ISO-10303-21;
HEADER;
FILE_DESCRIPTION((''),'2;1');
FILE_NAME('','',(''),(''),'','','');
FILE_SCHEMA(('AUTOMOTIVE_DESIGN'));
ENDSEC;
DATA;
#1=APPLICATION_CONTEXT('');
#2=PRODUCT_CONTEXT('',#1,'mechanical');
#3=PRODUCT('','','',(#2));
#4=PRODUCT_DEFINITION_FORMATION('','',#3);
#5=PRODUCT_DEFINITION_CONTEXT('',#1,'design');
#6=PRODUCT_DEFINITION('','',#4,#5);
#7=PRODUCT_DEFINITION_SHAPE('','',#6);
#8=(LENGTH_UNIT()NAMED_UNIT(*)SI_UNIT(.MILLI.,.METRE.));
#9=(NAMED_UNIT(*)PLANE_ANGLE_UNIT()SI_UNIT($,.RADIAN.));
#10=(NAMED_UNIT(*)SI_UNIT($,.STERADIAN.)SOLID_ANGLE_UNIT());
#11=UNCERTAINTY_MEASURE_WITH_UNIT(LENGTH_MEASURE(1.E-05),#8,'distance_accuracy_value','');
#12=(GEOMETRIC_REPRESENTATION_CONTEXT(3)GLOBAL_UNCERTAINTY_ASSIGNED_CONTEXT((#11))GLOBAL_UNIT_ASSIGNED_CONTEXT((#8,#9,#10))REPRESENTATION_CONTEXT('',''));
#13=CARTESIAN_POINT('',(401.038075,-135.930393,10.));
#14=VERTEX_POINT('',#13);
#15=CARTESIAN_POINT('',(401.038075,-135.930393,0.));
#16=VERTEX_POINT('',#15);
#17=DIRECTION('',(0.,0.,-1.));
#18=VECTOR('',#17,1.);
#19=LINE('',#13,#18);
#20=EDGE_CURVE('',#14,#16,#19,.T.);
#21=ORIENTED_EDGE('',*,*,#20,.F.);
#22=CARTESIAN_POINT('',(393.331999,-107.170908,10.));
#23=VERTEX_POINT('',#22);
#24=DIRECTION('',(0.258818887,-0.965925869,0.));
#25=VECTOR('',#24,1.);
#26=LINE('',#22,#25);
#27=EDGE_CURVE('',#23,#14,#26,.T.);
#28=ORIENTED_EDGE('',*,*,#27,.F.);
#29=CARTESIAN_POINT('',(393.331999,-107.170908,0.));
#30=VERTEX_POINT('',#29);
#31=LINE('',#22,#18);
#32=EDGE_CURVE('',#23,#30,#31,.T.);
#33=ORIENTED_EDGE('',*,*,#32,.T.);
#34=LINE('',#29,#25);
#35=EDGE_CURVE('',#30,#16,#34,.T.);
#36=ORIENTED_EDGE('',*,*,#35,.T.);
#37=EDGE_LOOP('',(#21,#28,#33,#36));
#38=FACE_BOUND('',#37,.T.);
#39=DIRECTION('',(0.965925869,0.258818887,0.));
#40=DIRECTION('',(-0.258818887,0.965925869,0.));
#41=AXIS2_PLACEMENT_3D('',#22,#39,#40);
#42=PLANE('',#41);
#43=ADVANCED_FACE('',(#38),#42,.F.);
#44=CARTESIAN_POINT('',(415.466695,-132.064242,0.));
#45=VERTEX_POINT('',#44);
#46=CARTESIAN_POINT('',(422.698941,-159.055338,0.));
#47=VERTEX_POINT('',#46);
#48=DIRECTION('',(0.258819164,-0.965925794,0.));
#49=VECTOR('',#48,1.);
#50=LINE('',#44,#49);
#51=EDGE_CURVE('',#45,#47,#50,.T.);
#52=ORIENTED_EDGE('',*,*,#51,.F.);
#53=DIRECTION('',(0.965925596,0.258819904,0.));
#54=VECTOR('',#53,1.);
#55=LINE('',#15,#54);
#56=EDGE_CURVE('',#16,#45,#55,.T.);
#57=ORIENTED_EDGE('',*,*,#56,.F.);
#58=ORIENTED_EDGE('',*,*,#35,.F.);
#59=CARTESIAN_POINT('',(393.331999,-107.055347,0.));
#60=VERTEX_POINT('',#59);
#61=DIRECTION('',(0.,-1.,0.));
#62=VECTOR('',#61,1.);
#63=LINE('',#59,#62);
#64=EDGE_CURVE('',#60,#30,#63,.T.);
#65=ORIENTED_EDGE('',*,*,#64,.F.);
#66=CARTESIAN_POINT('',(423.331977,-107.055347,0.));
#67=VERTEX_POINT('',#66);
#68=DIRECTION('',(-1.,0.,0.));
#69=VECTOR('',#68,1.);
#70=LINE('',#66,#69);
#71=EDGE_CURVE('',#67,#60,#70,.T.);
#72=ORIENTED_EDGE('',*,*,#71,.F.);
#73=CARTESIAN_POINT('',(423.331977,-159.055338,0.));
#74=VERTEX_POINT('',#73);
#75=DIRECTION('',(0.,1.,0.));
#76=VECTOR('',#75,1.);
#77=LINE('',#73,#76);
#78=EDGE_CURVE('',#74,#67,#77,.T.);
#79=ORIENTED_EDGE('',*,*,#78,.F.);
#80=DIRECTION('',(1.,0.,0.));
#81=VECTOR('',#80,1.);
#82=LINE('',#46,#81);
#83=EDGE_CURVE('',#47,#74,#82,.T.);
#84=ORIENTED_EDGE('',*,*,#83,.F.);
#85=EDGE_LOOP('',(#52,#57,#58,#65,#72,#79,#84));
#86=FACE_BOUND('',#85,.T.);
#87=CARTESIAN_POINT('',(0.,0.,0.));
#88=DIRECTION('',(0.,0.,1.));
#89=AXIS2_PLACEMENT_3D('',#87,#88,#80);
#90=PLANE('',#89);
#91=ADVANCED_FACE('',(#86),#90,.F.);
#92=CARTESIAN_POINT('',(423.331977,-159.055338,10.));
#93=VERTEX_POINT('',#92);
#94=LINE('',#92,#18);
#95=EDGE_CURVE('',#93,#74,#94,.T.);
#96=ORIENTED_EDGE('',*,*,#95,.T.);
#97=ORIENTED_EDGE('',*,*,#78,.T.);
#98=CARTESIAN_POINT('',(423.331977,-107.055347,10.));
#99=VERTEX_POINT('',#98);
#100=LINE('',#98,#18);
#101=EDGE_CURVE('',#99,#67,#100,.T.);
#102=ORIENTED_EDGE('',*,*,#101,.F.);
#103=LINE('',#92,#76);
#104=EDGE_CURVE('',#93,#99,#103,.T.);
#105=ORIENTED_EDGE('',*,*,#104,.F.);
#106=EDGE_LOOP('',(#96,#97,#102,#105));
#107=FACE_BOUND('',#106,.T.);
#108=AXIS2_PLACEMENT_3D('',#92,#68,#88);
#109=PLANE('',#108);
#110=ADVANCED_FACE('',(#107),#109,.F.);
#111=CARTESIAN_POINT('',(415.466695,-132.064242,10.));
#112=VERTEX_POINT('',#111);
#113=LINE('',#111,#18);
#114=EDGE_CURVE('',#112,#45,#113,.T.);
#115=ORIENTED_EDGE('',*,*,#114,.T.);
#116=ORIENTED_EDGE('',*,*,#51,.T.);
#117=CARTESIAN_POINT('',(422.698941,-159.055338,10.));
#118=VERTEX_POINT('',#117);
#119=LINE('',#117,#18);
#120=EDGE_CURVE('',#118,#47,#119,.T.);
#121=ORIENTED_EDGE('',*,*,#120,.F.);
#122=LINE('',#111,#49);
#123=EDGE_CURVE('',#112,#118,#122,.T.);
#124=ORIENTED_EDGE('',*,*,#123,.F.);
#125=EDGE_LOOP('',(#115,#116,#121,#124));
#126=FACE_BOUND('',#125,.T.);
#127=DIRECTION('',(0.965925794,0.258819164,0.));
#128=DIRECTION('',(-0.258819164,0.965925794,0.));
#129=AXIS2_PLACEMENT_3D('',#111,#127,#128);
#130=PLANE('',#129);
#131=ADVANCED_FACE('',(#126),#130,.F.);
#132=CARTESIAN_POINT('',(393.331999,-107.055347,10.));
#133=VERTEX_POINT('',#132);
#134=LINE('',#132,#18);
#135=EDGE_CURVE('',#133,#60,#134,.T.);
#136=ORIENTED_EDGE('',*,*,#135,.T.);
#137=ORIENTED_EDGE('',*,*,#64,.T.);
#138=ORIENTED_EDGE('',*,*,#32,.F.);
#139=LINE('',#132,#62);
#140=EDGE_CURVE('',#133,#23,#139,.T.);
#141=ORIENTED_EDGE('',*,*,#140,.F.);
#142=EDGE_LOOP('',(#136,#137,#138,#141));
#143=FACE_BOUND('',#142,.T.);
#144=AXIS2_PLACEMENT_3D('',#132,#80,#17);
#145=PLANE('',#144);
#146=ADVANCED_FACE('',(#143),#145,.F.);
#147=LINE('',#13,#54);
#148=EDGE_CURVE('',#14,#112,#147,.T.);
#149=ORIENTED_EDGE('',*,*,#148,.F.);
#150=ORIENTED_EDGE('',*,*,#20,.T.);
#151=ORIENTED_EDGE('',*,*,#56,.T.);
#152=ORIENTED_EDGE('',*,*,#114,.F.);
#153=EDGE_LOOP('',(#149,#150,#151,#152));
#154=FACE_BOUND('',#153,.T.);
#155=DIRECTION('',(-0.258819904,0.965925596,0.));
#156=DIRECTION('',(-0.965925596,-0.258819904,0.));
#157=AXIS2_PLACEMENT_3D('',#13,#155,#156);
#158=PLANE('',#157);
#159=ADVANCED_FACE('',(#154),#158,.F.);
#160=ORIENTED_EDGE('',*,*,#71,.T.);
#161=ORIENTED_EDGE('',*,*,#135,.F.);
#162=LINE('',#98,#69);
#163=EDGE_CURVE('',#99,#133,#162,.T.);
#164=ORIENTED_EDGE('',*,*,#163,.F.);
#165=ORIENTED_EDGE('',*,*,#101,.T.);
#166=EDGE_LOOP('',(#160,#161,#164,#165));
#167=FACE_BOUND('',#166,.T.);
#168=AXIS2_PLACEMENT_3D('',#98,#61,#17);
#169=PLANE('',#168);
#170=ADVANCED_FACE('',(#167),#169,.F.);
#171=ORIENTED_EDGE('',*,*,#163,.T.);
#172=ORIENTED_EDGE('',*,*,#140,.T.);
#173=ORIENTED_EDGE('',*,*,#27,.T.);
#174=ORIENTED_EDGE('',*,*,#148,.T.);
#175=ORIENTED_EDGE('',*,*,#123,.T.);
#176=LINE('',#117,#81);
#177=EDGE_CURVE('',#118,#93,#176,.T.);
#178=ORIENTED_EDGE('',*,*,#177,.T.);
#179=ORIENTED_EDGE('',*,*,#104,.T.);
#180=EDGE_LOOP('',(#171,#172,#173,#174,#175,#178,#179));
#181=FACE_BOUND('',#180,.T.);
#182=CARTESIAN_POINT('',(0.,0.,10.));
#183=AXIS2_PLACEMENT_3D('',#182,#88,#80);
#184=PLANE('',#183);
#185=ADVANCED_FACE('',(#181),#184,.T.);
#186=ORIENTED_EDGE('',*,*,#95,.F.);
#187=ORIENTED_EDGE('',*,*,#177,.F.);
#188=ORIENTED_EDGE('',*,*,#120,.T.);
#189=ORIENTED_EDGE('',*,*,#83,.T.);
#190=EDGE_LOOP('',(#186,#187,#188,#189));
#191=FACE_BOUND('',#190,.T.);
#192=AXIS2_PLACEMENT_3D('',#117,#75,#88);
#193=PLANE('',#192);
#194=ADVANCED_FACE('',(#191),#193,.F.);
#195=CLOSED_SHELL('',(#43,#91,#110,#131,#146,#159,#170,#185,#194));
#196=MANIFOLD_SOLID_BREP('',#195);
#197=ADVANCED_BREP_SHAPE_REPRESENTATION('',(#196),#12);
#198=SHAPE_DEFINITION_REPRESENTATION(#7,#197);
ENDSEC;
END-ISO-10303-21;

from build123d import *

# Parameters (mm, degrees)
BOSS_EXTRU_1_DEPTH = 10


with BuildPart() as part:
    # Model → Boss.-Extru.1 (new body)
    with BuildSketch(Plane.XY):
        Polygon((401.03807516, -135.93039288), (415.466694883, -132.064242129), (422.698940776, -159.055337947), (423.331977072, -159.055337947), (423.331977072, -107.055346596), (393.331999447, -107.055346596), (393.331999447, -107.170908018), align=None)
    extrude(amount=BOSS_EXTRU_1_DEPTH)


solid = part.part
